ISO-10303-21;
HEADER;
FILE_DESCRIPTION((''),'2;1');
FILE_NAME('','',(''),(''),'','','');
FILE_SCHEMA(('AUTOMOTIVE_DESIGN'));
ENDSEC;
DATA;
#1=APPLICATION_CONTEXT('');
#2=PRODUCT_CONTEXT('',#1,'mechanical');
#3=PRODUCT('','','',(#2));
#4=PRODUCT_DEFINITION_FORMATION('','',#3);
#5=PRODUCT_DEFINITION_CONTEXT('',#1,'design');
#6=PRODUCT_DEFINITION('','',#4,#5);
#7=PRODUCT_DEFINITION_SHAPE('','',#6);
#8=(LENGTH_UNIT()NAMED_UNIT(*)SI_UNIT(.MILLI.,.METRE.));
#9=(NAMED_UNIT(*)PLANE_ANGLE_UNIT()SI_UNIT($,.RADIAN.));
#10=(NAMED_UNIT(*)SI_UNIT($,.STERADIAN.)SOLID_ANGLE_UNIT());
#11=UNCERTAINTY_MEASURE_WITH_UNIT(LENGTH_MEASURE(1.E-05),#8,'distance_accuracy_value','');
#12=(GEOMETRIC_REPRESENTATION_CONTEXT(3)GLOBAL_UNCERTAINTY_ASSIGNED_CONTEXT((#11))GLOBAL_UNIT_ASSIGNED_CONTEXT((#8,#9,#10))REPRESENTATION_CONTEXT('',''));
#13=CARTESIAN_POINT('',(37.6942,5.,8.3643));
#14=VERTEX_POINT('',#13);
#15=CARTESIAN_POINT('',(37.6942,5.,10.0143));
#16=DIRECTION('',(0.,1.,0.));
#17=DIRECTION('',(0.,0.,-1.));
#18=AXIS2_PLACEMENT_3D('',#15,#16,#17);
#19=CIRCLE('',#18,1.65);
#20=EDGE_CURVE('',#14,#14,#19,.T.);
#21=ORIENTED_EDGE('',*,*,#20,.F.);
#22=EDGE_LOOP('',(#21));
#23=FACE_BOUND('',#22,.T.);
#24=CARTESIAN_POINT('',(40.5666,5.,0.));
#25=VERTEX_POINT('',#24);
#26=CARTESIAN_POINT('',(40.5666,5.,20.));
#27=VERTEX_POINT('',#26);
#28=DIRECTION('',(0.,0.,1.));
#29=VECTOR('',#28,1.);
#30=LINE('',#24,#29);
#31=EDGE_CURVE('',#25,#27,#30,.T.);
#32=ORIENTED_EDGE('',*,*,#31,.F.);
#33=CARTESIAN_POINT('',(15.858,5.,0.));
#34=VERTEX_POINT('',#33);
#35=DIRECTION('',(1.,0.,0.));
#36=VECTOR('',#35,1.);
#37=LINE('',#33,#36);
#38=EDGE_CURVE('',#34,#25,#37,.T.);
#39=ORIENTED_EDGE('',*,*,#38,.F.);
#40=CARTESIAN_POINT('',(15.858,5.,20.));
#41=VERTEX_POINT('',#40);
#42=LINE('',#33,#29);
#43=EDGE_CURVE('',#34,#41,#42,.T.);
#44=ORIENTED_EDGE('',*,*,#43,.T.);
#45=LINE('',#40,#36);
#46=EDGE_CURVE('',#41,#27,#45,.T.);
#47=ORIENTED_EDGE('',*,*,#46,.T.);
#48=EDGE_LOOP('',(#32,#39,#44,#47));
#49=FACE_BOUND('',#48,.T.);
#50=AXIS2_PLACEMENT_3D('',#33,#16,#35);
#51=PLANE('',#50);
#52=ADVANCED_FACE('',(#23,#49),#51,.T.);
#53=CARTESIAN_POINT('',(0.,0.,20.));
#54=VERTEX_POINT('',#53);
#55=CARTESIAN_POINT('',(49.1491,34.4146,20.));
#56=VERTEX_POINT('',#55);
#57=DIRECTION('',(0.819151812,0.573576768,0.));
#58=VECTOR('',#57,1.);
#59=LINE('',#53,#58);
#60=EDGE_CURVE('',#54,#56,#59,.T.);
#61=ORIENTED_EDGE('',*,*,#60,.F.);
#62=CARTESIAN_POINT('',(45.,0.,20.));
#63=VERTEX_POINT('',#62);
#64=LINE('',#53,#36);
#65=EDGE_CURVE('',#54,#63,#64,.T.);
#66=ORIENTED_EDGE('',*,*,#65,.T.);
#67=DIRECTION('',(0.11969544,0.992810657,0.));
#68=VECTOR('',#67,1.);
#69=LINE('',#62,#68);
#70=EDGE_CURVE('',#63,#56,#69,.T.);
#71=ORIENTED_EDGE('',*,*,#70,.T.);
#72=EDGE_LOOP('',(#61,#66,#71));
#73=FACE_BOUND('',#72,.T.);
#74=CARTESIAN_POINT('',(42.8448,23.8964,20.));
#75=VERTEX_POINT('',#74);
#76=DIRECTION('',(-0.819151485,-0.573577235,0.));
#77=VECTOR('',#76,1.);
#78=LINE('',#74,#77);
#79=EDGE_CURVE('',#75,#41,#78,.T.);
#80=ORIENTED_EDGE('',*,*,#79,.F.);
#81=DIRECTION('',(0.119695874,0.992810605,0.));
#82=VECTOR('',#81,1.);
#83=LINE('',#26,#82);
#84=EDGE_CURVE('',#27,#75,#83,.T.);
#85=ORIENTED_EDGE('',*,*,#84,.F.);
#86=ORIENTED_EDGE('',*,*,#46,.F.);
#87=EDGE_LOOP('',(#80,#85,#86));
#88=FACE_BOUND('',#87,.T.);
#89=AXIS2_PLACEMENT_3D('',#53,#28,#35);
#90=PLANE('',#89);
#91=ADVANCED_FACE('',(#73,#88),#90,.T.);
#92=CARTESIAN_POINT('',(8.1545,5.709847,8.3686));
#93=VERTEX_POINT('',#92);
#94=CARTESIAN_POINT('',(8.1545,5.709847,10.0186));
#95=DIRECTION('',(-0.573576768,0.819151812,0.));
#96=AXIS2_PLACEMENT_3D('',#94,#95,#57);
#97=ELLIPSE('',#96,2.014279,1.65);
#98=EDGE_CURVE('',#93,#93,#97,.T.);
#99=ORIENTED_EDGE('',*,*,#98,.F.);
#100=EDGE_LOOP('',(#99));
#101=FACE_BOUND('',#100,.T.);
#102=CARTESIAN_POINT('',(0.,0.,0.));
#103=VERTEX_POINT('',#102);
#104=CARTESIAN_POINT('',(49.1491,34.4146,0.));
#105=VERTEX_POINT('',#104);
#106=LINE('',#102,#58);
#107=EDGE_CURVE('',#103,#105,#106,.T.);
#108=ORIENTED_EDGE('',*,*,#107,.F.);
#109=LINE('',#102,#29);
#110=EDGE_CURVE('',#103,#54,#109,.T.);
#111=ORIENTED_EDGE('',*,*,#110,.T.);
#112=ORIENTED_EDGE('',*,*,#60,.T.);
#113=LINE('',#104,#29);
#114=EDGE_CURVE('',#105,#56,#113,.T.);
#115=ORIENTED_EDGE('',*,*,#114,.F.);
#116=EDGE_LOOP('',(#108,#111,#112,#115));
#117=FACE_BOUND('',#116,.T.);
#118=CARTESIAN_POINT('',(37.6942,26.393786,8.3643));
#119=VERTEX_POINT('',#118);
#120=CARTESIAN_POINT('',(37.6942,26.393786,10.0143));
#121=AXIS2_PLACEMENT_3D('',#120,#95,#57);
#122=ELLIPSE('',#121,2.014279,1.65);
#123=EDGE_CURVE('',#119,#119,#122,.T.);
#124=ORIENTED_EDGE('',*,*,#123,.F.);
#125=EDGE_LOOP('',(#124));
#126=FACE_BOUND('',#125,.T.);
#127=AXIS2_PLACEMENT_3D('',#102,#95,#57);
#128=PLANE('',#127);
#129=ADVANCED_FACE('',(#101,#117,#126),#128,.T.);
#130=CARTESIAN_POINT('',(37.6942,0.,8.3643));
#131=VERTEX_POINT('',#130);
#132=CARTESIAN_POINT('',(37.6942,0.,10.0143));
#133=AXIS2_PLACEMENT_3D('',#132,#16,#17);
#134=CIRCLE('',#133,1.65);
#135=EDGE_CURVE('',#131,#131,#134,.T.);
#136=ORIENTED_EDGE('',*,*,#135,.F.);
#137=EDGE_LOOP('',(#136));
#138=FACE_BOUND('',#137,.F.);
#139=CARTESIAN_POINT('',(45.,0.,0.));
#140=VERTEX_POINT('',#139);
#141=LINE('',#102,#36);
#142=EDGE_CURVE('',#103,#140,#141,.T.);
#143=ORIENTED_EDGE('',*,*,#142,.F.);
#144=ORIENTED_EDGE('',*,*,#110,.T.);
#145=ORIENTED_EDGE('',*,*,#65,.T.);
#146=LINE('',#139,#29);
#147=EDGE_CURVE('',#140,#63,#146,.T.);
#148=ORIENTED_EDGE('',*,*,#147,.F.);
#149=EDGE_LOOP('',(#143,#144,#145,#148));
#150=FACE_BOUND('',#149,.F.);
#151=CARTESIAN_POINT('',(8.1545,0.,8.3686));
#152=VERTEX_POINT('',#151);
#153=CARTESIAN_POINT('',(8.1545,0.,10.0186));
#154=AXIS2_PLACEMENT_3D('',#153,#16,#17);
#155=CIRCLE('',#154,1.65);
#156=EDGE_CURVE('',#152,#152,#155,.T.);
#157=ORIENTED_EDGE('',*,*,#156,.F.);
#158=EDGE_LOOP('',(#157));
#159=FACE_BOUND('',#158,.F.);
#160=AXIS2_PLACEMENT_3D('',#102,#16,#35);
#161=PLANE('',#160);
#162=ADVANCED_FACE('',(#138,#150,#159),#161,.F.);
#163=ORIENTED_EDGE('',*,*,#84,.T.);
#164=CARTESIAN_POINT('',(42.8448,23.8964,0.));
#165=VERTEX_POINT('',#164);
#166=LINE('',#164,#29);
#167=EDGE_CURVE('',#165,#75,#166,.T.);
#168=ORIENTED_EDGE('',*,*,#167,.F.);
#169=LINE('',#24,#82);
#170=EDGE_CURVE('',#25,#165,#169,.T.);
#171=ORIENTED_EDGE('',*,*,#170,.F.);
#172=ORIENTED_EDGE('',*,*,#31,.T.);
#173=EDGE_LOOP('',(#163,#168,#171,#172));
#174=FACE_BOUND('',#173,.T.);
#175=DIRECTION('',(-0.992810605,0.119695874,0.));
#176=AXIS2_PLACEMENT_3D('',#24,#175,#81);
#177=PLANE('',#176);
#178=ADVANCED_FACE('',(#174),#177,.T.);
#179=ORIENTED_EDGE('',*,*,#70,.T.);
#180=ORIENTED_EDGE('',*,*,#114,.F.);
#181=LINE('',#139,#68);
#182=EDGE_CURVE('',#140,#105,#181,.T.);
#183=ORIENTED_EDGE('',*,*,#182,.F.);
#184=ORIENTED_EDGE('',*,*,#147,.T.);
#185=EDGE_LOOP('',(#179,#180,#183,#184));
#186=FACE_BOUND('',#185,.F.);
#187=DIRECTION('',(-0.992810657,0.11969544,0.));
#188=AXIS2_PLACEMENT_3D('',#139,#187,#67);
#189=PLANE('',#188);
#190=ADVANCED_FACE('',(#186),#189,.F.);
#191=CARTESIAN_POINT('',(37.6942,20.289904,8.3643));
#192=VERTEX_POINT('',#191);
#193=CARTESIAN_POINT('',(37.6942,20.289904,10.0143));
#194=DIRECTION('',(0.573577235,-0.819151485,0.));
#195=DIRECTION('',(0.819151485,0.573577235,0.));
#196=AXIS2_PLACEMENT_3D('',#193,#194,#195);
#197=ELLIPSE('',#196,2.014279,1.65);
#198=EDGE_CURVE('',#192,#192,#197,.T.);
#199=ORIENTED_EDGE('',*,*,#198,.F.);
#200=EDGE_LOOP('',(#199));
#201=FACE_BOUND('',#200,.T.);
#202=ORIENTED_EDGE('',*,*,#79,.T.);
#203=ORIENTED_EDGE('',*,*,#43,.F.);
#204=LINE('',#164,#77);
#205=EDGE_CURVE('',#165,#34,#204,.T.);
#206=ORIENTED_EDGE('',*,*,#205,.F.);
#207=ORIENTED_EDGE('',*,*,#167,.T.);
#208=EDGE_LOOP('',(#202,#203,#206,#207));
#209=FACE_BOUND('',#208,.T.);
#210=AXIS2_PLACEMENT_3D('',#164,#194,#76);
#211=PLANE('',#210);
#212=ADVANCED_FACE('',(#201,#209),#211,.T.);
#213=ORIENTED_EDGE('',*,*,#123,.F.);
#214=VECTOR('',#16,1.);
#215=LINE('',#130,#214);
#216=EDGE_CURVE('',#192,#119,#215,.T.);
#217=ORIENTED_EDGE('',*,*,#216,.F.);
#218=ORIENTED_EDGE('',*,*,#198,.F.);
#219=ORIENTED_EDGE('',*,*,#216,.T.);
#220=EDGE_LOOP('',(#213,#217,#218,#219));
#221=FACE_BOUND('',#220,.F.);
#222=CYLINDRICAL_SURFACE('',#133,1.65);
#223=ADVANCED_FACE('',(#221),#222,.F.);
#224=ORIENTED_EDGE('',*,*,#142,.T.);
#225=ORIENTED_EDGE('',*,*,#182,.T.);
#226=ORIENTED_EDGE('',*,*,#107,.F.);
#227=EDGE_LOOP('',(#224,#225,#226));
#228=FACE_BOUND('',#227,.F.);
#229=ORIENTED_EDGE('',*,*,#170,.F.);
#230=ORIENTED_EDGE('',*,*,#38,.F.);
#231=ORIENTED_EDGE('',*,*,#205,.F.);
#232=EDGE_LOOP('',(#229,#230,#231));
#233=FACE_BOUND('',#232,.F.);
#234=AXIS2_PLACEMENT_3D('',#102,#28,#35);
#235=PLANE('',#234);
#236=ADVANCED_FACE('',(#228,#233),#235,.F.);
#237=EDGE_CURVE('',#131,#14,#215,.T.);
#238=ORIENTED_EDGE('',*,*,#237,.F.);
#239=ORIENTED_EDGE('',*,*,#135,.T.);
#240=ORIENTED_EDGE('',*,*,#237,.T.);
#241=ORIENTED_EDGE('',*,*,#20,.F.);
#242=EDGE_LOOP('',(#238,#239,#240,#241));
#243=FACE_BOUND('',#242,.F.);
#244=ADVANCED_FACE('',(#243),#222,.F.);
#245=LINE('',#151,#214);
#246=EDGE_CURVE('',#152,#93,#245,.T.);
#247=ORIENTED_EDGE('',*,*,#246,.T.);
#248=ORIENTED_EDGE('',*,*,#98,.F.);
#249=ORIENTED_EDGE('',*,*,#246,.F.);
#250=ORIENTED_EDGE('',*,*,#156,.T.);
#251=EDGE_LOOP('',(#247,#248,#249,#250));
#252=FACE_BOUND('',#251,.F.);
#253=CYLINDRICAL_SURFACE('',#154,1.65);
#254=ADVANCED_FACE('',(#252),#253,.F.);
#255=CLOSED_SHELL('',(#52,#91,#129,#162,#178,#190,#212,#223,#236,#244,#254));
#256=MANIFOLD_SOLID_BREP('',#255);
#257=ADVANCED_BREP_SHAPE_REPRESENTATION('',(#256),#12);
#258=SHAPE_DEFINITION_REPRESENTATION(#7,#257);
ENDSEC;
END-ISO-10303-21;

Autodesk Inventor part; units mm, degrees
ref_plane "YZ Plane" through (0, 0, 0) normal (1, 0, 0) x (0, 1, 0)
ref_plane "XZ Plane" through (0, 0, 0) normal (0, 1, 0) x (-1, 0, 0)
ref_plane "XY Plane" through (0, 0, 0) normal (0, 0, 1) x (1, 0, 0)
sketch "Sketch1" plane through (0, 0, 0) normal (0, 0, 1) x (1, 0, 0)
  line L0 (0, 0) -> (49.1491, 34.4146)
  line L1 (0, 0) -> (60, 0) construction
  line L2 (0, 0) -> (45, 0)
  line L3 (45, 0) -> (49.1491, 34.4146)
  line L4 (42.8448, 23.8964) -> (15.858, 5)
  line L5 (15.858, 5) -> (40.5666, 5)
  line L6 (40.5666, 5) -> (42.8448, 23.8964)
  dimension "d0" = 60
  dimension "d1" = 35
  dimension "d2" = 45
  dimension "d3" = 5
extrude "Extrusion1" add sketch "Sketch1" along normal blind 20
ref_plane "Work Plane1" through (0, 0, 10) normal (0, 0, 1) x (1, 0, 0)
sketch "Sketch2" plane through (0, 0, 0) normal (0, -1, 0) x (1, 0, 0)
  point P0 (0, 0)
  point P1 (37.6942, 10.0143)
  point P2 (8.1545, 10.0186)
hole "Hole1" at (37.6942, 0, 10.0143) at (8.1545, 0, 10.0186) direction (0, 1, 0) diameter 3.3 end through all
properties part number "BatteryHolder"
